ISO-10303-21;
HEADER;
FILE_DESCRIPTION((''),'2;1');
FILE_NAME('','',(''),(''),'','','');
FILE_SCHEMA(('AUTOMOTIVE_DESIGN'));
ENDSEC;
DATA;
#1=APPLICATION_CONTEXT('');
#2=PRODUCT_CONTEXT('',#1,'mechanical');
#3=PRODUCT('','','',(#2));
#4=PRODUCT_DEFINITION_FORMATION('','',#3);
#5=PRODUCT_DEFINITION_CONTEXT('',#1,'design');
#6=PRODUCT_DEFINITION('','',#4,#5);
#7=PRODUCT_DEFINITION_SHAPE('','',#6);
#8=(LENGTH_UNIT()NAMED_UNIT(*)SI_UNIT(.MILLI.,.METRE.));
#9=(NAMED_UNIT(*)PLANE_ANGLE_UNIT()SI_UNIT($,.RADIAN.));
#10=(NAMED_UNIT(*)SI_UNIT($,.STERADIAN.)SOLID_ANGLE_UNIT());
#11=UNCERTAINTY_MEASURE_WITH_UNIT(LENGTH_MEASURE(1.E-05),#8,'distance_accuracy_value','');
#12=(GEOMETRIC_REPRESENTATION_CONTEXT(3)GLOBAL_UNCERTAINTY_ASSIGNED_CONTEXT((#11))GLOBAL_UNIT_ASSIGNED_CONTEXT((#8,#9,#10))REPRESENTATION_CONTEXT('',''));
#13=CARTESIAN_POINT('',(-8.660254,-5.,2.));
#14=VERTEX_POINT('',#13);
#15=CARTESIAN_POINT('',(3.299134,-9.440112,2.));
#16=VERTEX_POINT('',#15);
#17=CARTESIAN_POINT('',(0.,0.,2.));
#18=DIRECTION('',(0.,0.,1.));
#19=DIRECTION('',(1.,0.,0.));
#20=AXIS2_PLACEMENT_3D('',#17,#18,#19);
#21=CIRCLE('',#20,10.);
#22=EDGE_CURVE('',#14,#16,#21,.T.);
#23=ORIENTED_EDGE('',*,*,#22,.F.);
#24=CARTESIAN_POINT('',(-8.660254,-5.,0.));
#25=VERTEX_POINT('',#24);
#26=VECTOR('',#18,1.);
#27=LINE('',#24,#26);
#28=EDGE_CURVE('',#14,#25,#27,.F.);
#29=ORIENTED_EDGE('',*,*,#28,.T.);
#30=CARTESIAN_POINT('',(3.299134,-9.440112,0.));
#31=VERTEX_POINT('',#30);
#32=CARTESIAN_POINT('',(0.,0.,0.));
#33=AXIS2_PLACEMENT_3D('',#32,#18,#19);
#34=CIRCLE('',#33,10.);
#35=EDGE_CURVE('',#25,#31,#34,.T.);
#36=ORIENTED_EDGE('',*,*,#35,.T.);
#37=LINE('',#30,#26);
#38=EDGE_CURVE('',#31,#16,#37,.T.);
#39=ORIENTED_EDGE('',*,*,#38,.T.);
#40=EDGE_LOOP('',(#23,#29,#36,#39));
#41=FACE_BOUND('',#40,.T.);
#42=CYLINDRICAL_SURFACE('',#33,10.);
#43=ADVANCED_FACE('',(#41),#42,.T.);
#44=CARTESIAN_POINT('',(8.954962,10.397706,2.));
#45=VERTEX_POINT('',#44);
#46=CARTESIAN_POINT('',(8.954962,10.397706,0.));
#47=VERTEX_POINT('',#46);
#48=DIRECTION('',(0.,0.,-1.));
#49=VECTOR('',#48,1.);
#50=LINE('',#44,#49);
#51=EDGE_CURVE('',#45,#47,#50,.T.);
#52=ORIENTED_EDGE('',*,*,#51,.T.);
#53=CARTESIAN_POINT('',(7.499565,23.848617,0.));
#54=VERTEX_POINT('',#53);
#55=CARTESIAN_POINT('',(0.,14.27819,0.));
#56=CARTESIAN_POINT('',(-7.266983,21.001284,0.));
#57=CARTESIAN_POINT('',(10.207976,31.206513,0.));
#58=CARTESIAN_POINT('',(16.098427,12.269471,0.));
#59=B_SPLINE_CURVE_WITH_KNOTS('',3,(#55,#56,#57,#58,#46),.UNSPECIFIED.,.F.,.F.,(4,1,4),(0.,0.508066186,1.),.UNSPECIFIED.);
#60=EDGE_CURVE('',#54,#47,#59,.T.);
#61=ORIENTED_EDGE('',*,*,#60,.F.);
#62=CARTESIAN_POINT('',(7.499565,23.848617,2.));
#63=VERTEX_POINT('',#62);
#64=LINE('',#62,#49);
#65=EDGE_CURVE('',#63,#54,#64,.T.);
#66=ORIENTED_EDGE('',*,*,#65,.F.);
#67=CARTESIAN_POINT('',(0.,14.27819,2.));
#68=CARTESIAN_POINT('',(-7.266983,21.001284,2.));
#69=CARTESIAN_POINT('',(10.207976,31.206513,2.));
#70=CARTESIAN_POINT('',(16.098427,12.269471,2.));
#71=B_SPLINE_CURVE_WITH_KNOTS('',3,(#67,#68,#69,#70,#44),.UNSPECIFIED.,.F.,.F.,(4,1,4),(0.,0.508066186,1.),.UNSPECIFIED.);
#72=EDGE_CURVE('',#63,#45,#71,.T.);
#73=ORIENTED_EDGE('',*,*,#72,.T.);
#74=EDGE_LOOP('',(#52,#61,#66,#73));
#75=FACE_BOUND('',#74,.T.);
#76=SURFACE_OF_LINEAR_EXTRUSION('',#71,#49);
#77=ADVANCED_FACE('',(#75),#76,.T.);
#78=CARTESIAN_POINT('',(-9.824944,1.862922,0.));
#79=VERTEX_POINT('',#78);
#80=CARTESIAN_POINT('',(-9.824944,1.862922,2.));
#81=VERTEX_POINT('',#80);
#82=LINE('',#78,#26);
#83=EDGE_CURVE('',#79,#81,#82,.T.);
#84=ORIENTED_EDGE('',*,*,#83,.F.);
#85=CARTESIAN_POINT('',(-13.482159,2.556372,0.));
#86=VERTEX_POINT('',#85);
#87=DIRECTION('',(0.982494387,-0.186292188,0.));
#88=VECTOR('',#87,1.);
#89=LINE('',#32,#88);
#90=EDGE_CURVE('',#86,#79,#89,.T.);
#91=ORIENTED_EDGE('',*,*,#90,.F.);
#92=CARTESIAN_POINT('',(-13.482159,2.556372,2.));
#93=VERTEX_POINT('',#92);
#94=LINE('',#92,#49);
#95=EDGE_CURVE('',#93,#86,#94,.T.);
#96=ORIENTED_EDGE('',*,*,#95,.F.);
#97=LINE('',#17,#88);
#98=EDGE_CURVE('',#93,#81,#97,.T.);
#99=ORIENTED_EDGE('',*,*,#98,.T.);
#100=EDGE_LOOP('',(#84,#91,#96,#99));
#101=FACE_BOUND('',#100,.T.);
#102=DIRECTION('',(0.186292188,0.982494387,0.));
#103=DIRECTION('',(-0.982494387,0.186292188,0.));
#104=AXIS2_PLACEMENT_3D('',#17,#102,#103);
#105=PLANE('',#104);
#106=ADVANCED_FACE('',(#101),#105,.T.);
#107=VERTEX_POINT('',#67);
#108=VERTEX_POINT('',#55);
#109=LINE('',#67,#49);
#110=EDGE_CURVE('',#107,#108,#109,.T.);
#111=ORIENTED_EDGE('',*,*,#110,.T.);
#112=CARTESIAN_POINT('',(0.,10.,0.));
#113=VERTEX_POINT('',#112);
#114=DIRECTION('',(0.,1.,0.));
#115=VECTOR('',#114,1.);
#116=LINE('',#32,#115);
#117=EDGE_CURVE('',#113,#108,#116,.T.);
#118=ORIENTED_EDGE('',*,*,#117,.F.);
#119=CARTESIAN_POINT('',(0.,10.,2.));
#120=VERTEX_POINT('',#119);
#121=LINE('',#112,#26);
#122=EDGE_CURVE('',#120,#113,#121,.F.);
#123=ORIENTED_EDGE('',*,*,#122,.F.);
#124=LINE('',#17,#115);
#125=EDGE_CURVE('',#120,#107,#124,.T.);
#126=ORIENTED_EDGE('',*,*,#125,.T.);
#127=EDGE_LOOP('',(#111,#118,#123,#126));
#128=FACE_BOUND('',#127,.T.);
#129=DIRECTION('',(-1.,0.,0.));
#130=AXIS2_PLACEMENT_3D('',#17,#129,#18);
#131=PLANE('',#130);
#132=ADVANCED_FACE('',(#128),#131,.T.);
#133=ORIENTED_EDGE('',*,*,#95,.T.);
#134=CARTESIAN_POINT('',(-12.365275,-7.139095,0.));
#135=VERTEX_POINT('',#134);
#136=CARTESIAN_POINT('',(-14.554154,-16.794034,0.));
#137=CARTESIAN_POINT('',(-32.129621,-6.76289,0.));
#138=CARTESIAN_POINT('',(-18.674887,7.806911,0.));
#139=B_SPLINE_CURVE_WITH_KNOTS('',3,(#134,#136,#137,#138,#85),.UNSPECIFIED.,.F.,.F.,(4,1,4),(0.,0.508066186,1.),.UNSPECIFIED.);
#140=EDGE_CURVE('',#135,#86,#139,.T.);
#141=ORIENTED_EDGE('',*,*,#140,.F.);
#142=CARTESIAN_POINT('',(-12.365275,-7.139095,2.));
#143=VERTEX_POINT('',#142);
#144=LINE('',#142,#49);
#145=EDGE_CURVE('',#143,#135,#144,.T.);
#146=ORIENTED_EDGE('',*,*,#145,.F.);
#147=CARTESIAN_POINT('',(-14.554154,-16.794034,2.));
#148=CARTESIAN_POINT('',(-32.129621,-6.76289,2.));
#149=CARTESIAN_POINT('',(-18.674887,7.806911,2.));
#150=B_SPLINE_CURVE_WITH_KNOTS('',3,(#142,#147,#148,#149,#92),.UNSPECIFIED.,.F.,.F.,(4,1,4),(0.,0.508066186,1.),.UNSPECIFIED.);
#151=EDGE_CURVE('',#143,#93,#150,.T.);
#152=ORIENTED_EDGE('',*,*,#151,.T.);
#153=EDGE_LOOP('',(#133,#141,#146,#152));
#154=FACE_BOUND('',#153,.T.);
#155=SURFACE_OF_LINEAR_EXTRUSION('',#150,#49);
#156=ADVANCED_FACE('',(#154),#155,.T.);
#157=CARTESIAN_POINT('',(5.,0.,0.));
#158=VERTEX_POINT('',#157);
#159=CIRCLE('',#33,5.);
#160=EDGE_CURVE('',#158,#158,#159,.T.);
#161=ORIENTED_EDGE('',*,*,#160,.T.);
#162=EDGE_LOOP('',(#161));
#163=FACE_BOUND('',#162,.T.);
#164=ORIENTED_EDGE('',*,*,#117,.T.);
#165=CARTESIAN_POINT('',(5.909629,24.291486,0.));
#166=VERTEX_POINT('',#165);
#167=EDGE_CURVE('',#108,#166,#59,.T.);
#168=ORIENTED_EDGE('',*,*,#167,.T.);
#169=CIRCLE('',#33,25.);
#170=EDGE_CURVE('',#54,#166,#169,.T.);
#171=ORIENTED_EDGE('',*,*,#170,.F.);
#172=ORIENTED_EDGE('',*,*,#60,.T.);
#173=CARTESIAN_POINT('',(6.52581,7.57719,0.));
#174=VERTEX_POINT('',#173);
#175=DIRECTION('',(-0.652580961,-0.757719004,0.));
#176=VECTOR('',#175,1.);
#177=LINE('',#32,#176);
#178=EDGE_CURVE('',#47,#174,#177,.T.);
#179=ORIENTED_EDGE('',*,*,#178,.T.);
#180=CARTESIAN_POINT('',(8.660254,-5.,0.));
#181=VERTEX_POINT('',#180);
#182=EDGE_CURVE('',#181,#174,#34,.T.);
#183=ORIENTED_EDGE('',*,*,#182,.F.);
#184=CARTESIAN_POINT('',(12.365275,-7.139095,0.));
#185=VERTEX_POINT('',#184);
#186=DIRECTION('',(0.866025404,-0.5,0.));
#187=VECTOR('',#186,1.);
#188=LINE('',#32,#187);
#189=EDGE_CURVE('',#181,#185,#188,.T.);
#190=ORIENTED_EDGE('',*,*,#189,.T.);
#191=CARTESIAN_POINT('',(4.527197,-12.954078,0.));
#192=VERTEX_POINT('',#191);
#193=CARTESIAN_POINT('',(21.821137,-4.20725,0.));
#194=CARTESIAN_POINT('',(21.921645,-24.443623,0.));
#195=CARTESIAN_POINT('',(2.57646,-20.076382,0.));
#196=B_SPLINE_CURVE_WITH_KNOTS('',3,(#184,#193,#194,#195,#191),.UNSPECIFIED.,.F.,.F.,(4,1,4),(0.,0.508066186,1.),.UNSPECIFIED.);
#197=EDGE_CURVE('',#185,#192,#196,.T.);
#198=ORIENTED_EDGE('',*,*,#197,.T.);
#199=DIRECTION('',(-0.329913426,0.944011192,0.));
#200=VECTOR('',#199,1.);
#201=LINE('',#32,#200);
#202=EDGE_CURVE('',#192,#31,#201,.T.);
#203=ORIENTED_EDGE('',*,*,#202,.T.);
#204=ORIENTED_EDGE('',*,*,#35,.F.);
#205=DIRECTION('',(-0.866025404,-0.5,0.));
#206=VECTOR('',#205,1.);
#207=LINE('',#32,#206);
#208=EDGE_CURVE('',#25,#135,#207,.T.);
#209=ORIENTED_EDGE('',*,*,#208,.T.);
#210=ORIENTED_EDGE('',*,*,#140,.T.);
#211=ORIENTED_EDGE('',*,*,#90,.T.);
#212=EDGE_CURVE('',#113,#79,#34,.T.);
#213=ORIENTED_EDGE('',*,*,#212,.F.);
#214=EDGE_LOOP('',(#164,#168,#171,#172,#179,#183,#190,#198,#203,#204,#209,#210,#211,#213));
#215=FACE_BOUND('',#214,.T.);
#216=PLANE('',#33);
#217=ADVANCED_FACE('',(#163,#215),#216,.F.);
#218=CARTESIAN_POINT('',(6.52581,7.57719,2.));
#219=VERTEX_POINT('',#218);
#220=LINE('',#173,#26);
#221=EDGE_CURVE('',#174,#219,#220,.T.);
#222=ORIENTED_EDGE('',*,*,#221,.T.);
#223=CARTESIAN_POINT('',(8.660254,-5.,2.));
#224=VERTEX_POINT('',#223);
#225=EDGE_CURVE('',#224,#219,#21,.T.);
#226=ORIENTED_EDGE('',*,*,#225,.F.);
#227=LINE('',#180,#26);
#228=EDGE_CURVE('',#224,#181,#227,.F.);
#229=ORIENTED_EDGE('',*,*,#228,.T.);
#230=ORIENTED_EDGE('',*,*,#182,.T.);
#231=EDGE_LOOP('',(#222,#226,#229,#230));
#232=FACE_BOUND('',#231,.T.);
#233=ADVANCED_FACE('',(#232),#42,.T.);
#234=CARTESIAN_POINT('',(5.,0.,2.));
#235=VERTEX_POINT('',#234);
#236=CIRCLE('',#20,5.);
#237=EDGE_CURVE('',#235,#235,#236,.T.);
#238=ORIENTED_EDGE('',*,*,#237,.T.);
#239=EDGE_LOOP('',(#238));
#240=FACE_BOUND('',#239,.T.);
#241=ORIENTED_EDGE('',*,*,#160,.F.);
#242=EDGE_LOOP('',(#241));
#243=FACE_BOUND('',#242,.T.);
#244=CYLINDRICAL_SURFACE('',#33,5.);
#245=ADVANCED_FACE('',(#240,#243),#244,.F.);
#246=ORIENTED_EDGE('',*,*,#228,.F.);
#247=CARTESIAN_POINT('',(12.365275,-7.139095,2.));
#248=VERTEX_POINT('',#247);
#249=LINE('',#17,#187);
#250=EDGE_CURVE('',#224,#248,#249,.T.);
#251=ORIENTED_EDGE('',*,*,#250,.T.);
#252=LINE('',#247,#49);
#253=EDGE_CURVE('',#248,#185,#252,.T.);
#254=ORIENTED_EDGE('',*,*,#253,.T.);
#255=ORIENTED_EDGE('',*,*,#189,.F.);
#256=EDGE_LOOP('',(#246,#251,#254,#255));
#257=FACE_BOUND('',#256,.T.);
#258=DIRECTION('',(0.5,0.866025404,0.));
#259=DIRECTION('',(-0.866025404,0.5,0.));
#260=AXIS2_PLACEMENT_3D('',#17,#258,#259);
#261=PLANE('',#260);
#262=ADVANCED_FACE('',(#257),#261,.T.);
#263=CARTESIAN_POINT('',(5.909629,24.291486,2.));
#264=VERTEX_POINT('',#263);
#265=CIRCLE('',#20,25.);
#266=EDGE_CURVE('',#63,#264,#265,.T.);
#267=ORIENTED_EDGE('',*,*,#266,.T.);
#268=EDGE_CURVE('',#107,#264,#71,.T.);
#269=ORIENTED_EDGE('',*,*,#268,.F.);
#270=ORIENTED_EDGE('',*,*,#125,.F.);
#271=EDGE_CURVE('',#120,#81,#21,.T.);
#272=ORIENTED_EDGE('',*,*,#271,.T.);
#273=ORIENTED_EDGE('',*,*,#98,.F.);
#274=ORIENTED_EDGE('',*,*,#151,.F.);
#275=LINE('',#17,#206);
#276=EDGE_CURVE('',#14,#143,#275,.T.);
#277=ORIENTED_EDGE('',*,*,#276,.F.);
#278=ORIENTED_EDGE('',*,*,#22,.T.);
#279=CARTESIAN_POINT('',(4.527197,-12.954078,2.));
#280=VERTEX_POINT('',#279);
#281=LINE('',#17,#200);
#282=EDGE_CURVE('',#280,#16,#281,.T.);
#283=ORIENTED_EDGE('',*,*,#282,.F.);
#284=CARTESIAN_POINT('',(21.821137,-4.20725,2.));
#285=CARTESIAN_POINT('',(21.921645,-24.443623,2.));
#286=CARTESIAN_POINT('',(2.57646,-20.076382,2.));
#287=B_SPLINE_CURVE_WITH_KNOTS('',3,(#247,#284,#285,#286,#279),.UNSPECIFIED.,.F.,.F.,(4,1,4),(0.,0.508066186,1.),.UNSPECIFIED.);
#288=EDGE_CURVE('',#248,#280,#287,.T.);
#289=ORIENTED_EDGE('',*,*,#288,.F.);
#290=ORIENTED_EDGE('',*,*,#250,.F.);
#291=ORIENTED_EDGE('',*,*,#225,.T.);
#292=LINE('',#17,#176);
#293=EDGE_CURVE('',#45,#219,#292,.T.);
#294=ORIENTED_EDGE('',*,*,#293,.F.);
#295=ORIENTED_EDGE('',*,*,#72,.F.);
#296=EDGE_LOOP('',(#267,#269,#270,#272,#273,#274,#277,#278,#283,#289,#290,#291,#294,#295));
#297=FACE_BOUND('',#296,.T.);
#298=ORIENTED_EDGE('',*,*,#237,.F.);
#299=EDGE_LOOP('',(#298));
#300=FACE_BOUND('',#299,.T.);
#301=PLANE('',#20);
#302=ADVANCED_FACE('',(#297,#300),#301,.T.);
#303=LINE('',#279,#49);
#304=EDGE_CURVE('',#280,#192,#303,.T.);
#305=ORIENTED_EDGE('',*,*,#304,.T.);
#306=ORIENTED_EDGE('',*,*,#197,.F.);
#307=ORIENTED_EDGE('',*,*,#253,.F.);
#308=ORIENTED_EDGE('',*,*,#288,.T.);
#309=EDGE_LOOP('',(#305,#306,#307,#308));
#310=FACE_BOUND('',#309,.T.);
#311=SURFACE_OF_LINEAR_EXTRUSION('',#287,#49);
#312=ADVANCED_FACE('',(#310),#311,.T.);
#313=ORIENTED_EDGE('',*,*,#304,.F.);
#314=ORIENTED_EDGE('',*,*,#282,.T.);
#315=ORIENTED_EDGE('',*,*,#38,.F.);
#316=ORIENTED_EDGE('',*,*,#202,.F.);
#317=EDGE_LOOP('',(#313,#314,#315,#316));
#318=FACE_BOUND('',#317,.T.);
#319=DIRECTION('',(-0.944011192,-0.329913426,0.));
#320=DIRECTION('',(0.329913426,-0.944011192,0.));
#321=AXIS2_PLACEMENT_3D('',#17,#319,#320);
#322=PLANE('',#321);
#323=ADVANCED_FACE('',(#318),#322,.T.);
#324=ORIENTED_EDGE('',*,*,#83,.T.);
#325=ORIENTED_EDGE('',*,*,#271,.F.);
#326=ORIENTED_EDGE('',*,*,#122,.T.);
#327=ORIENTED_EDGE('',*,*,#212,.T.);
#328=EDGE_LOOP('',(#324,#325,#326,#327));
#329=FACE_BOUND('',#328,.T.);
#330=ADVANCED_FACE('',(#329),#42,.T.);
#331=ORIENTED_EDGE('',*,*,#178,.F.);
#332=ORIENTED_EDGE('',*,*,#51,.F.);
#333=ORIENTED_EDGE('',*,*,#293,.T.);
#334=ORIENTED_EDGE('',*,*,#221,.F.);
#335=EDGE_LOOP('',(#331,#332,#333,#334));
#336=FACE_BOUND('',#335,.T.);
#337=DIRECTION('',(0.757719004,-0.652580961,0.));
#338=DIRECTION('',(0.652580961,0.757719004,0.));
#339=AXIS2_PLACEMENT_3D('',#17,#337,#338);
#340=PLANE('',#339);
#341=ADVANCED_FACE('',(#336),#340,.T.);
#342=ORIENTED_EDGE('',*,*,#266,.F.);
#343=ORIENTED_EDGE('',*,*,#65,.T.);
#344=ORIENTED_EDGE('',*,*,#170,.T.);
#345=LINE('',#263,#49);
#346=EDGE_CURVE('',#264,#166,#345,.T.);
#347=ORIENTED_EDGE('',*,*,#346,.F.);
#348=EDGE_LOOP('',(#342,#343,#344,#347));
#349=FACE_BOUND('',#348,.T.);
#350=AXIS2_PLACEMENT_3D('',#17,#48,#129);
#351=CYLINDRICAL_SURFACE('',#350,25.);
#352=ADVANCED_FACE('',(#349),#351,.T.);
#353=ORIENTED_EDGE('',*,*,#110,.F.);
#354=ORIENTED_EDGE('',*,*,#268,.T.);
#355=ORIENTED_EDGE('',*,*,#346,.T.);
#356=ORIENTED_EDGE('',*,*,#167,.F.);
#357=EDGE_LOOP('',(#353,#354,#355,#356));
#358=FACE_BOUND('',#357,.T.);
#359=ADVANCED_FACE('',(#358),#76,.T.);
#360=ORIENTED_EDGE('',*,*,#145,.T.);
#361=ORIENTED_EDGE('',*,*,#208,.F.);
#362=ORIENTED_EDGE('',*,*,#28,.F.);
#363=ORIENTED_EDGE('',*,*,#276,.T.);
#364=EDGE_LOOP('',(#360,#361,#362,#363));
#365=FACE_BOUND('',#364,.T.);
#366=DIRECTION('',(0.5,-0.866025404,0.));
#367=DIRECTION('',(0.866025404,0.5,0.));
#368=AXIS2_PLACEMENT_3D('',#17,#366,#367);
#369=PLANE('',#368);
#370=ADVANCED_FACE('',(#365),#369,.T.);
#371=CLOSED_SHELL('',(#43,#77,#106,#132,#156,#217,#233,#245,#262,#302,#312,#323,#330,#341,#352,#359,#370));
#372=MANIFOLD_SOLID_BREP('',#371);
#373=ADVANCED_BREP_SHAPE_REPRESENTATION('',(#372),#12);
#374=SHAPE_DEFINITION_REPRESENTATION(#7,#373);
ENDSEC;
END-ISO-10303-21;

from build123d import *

# Parameters (mm, degrees)
EXTRUDE_1_DEPTH     = 2
SKETCH_2_R          = 10
EXTRUDE_2_DEPTH     = 2
SKETCH_3_R          = 5
CUT_EXTRUDE_1_DEPTH = 2


with BuildPart() as part:
    # 草图1 → 凸台-拉伸1 (new body)
    with BuildSketch(Plane.XY):
        with BuildLine():
            Line((0, 14.278189945), (0, 5))
            ThreePointArc((0, 5), (-3.189255031, 3.850798923), (-4.912471936, 0.931460939))
            Line((-4.912471936, 0.931460939), (-13.482158936, 2.556371739))
            add(Edge.make_bspline(
                [(-12.365275213, -7.139094973), (-14.554153712, -16.794034), (-32.129621236, -6.762889891), (-18.674887245, 7.806911129), (-13.482158936, 2.556371739)],
                knots=[0, 0, 0, 0, 0.508066186, 1, 1, 1, 1], degree=3))
            Line((-12.365275213, -7.139094973), (-4.330127019, -2.5))
            ThreePointArc((-4.330127019, -2.5), (-1.740262177, -4.687375338), (1.649567132, -4.720055961))
            Line((1.649567132, -4.720055961), (4.527196601, -12.954078006))
            add(Edge.make_bspline(
                [(12.365275213, -7.139094973), (21.821136933, -4.207249845), (21.921645067, -24.443623258), (2.57646026, -20.076382332), (4.527196601, -12.954078006)],
                knots=[0, 0, 0, 0, 0.508066186, 1, 1, 1, 1], degree=3))
            Line((12.365275213, -7.139094973), (4.330127019, -2.5))
            ThreePointArc((4.330127019, -2.5), (4.929517208, 0.836576414), (3.262904804, 3.788595022))
            Line((3.262904804, 3.788595022), (8.954962335, 10.397706267))
            add(Edge.make_bspline(
                [(7.499565038, 23.84861682), (13.200715048, 21.585242478), (16.098426985, 12.269471203), (8.954962335, 10.397706267)],
                knots=[0.508066186, 0.508066186, 0.508066186, 0.508066186, 1, 1, 1, 1], degree=3))
            ThreePointArc((7.499565038, 23.84861682), (6.708252817, 24.083175541), (5.909629214, 24.291485804))
            add(Edge.make_bspline(
                [(0, 14.278189945), (-6.635591744, 20.417148167), (0.190529491, 25.273619091), (5.909629214, 24.291485804)],
                knots=[0, 0, 0, 0, 0.46392288, 0.46392288, 0.46392288, 0.46392288], degree=3))
        make_face()
    extrude(amount=EXTRUDE_1_DEPTH)

    # 草图2 → 凸台-拉伸2 (add)
    with BuildSketch(Plane.XY.offset(2)):
        Circle(SKETCH_2_R)
    extrude(amount=-EXTRUDE_2_DEPTH)

    # 草图3 → 切除-拉伸1 (cut)
    with BuildSketch(Plane.XY.offset(2)):
        Circle(SKETCH_3_R)
    extrude(amount=-CUT_EXTRUDE_1_DEPTH, mode=Mode.SUBTRACT)


solid = part.part
